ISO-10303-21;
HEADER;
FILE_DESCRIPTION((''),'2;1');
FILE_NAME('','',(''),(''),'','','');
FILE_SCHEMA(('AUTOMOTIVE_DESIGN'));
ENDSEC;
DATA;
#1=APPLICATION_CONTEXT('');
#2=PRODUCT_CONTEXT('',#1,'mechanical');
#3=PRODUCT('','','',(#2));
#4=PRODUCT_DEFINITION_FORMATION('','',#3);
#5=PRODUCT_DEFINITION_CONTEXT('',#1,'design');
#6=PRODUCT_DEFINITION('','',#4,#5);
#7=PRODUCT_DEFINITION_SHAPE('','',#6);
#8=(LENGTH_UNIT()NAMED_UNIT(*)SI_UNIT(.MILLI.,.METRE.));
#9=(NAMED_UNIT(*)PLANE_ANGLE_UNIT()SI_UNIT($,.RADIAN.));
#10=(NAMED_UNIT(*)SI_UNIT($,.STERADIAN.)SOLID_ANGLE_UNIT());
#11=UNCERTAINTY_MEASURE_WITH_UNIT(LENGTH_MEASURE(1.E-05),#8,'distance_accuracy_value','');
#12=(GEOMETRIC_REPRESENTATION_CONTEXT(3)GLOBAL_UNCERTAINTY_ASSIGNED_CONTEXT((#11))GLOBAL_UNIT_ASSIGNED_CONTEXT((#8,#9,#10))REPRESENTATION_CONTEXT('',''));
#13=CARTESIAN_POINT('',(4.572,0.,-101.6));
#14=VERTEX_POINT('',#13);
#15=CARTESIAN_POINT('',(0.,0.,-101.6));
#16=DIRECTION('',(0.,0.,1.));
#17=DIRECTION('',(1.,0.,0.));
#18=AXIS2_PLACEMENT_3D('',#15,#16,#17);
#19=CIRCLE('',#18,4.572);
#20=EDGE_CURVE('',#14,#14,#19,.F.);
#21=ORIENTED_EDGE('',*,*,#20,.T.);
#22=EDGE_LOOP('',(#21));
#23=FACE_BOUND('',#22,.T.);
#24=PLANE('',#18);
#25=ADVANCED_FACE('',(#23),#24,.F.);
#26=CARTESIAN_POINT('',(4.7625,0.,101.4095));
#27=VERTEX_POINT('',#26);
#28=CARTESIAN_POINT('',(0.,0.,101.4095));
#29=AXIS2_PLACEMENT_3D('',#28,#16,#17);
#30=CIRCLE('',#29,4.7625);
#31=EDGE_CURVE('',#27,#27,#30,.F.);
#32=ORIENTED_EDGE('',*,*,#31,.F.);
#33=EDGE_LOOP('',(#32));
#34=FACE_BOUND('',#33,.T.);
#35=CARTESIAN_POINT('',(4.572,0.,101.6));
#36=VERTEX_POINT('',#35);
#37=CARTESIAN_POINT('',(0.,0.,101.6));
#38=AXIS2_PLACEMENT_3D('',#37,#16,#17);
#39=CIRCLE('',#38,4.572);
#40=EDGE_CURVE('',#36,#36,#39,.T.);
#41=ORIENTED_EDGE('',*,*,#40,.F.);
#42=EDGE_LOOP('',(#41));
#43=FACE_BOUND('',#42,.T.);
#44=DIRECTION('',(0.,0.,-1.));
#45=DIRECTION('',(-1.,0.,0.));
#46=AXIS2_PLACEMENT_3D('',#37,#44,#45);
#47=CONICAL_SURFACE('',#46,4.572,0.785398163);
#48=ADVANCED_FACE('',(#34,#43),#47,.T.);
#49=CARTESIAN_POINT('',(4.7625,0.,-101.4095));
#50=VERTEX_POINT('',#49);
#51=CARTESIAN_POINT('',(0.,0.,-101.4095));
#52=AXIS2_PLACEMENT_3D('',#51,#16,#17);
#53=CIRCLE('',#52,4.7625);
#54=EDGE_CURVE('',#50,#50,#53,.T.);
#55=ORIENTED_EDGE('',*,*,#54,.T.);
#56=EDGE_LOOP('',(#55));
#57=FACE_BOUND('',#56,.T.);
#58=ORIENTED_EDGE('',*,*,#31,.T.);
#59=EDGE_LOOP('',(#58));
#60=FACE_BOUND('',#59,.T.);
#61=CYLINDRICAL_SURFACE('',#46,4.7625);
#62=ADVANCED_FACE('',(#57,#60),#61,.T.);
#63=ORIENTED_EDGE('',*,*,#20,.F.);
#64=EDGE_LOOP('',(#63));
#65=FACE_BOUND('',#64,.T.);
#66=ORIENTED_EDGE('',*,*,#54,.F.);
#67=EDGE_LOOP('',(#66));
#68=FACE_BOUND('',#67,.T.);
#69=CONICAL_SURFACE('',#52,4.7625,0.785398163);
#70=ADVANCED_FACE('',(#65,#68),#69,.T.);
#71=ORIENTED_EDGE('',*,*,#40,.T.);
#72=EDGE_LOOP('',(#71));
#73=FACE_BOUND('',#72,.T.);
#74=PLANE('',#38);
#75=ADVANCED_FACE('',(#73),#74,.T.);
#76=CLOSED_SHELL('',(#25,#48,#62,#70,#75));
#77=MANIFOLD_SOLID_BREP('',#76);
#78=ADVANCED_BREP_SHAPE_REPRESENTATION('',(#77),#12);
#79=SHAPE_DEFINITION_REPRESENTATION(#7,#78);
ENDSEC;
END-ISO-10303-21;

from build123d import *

# Parameters (mm, degrees)
BOSS_EXTRUDE1_DEPTH      = 101.6
BOSS_EXTRUDE1_DEPTH_BACK = 101.6
SKETCH3_R                = 4.7625
CHAMFER1_SIZE            = 0.1905


with BuildPart() as part:
    # Sketch3 → Boss-Extrude1 (new, two sides: drawn at the far end of the back side and taken through both)
    with BuildSketch(Plane.XY.offset(-BOSS_EXTRUDE1_DEPTH_BACK)):
        Circle(SKETCH3_R)
    extrude(amount=BOSS_EXTRUDE1_DEPTH + BOSS_EXTRUDE1_DEPTH_BACK)

    # Chamfer1
    chamfer1_edges = [part.edges().sort_by_distance(p)[0] for p in [
        (-4.7625, 0, -101.6),
        (-4.7625, 0, 101.6),
    ]]
    chamfer(chamfer1_edges, length=CHAMFER1_SIZE)


solid = part.part
